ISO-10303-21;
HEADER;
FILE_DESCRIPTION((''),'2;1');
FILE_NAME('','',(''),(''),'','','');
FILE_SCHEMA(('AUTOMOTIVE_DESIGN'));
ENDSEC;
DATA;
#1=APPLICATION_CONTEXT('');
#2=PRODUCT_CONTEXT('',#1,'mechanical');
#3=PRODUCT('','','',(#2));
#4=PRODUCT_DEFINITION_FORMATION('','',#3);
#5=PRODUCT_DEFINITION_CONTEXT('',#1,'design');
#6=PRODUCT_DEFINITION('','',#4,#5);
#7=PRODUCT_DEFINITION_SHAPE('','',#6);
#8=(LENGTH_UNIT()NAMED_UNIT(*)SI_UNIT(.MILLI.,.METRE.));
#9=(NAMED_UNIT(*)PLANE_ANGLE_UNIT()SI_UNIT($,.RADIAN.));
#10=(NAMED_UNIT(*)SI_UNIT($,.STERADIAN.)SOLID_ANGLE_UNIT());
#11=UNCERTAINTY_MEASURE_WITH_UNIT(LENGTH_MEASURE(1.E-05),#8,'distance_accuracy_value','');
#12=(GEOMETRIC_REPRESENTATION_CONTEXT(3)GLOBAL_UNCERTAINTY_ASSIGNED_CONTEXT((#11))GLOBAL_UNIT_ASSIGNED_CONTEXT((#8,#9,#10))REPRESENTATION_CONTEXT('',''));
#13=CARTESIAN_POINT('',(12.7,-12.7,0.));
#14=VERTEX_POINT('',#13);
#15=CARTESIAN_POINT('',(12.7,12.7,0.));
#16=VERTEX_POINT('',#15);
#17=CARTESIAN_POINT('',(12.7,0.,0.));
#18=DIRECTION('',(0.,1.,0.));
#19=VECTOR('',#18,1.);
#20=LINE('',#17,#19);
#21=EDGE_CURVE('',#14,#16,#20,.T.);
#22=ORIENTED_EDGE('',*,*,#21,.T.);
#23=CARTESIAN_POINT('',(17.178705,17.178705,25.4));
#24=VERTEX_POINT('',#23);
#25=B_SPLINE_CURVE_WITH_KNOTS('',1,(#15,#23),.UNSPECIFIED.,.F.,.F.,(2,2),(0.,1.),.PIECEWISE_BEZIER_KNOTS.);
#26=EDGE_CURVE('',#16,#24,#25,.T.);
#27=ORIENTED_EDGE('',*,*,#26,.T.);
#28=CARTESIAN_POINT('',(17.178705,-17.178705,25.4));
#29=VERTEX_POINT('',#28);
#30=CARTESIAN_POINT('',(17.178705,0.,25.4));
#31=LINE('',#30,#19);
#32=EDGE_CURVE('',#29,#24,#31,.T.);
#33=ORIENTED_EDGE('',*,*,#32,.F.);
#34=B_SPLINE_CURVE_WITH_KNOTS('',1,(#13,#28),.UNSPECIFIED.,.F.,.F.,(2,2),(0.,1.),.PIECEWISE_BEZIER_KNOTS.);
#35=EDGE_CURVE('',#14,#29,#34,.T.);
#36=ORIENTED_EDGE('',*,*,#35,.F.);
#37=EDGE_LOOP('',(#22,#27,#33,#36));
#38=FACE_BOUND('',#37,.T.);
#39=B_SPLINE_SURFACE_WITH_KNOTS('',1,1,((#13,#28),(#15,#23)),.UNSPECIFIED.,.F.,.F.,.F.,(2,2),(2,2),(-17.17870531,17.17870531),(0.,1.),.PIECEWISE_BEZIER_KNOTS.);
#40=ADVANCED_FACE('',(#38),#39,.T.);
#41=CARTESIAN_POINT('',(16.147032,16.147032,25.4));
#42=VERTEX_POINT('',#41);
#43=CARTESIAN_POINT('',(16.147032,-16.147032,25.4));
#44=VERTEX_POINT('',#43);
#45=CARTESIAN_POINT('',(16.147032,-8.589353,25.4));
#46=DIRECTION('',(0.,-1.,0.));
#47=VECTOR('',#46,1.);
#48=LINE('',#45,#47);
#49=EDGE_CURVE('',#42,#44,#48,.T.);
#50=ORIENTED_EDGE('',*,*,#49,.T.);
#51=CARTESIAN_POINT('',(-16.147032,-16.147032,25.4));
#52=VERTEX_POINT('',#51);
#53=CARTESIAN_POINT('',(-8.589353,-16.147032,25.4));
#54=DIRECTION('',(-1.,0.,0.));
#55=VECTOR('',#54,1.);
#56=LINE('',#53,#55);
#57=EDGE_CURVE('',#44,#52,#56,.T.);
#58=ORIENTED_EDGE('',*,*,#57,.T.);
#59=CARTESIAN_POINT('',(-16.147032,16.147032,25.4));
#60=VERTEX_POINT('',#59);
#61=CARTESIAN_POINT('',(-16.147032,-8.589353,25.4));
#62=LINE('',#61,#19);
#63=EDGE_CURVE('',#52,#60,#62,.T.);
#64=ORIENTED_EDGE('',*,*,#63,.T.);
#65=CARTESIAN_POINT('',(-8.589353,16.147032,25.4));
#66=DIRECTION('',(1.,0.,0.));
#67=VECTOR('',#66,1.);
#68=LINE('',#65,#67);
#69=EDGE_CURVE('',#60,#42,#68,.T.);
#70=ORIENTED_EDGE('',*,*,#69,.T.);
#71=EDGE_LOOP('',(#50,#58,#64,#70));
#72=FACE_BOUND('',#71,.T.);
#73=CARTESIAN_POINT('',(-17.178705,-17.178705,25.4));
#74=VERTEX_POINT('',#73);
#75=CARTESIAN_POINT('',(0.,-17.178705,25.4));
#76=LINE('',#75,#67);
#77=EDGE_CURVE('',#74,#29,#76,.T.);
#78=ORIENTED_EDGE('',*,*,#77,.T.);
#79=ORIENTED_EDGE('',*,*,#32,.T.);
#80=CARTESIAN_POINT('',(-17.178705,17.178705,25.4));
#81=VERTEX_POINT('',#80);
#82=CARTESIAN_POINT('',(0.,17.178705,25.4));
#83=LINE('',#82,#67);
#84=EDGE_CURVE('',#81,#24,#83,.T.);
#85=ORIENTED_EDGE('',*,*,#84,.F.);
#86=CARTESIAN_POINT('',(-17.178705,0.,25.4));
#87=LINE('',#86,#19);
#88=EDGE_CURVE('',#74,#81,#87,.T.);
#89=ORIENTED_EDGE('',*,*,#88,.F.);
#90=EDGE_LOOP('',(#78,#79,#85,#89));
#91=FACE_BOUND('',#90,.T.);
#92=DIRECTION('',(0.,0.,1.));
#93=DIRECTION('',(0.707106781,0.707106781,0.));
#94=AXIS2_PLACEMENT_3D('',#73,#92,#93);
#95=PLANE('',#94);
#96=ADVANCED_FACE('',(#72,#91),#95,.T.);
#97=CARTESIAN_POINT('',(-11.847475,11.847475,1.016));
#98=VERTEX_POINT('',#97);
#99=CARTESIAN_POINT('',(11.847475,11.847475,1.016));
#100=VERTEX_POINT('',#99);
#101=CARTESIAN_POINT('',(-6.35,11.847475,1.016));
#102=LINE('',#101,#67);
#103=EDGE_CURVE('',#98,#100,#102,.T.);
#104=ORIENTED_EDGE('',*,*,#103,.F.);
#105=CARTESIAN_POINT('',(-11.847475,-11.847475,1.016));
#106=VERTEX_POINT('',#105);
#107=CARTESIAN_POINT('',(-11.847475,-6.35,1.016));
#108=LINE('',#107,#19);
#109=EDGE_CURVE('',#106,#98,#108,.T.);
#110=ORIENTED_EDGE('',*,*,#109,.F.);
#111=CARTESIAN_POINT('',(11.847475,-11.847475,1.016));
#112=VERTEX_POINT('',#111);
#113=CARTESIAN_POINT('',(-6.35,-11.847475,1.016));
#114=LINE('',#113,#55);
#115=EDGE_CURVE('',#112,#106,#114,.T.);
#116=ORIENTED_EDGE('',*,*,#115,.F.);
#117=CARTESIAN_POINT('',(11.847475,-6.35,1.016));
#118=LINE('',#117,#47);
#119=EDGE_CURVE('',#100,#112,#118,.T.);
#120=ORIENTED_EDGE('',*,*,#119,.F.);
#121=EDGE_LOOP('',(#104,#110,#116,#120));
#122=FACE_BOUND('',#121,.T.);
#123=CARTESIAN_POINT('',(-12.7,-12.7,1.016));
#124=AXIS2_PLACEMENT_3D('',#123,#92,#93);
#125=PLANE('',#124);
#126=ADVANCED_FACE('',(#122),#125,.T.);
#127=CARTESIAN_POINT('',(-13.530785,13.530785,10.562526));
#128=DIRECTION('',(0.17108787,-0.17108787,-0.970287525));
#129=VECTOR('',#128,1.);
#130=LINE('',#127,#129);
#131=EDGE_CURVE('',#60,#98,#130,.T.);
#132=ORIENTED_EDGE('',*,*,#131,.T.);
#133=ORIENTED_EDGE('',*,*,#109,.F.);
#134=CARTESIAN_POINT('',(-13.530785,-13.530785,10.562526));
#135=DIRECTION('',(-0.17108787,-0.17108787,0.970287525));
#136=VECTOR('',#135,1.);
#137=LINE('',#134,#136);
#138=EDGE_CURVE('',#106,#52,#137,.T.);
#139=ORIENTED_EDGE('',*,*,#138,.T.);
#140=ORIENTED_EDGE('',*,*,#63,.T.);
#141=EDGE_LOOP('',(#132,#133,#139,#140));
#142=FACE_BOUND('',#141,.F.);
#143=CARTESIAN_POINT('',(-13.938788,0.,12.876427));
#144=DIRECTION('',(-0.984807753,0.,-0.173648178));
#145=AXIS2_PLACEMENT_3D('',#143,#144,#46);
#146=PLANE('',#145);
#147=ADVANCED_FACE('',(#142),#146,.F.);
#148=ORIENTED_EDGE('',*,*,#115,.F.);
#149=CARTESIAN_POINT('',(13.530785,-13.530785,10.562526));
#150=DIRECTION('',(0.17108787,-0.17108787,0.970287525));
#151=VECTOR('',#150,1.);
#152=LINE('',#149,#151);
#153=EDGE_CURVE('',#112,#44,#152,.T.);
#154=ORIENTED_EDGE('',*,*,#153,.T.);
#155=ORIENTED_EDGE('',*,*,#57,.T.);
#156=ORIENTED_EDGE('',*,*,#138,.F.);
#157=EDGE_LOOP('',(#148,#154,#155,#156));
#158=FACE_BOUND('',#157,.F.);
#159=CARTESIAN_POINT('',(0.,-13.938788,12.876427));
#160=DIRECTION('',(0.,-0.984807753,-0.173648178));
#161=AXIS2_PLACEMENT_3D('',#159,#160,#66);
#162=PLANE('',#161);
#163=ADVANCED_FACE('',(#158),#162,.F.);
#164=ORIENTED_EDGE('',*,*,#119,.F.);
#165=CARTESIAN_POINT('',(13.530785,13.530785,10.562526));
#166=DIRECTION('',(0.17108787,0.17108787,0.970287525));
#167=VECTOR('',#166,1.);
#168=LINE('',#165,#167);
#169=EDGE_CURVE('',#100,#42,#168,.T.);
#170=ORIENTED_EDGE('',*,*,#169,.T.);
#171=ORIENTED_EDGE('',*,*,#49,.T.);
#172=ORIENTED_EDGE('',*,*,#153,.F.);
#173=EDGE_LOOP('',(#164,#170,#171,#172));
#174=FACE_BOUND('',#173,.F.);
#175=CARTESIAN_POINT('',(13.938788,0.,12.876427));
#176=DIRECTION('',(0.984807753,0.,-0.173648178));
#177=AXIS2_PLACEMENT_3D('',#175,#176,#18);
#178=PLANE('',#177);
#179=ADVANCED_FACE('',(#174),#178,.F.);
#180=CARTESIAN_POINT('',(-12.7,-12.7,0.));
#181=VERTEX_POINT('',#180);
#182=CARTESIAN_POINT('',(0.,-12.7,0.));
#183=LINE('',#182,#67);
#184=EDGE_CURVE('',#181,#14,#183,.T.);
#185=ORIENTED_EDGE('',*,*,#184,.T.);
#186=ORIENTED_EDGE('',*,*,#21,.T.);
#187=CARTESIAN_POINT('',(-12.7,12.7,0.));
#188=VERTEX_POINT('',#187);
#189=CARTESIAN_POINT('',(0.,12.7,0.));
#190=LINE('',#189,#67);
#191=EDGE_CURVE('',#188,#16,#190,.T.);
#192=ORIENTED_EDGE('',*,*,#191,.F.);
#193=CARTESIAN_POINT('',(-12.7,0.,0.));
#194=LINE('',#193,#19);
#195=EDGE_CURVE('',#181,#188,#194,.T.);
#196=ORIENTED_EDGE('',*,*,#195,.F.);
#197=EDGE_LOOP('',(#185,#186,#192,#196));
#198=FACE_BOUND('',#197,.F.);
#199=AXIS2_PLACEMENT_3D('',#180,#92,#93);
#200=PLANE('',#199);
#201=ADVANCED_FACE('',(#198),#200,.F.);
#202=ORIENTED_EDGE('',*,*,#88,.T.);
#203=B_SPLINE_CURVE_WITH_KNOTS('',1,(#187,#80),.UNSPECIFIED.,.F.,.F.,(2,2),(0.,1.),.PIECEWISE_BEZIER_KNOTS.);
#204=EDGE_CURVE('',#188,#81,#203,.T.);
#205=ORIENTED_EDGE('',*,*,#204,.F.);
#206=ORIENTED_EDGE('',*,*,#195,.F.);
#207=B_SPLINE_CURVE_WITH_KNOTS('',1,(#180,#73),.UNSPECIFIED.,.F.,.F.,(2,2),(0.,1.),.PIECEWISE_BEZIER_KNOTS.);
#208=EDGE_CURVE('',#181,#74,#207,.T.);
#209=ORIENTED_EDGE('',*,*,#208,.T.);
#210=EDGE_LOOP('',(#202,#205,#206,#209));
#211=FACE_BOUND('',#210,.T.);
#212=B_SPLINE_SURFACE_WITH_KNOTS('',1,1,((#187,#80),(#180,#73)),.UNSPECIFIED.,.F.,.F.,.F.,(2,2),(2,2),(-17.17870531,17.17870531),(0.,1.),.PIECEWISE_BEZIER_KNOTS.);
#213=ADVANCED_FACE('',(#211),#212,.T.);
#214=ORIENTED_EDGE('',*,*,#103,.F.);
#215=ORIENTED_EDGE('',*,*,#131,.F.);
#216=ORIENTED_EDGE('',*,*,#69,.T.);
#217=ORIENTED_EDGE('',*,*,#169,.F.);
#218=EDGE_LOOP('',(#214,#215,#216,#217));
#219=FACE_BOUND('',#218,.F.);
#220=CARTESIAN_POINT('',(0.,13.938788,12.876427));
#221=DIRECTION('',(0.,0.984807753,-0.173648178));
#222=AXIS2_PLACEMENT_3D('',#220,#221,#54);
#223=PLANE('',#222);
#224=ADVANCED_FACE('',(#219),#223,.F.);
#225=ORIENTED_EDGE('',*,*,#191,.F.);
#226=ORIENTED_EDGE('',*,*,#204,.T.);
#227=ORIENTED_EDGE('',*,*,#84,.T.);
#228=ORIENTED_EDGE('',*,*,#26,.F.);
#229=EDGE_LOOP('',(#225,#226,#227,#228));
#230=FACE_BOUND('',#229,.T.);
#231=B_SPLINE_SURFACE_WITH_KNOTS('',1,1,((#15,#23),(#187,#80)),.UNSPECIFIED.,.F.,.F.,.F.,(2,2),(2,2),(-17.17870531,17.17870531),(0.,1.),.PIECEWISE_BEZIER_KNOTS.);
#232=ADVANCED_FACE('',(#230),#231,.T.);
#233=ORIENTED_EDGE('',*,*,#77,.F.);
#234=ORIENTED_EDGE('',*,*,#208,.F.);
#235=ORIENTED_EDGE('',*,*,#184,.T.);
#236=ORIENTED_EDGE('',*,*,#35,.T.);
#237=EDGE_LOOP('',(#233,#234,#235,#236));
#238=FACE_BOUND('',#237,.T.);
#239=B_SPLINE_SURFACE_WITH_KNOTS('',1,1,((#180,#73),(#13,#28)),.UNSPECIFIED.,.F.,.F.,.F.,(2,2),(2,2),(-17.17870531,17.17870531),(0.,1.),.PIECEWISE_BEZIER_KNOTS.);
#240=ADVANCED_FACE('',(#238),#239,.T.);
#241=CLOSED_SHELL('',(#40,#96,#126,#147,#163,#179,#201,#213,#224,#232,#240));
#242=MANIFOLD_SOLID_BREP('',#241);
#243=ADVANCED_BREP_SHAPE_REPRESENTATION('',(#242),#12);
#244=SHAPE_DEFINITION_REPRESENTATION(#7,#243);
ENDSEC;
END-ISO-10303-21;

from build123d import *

# Parameters (mm, degrees)
F0_W     = 25.4
F0_H     = 25.4
F1_DEPTH = 25.4
F1_TAPER = -10
F2_T     = -1.016


with BuildPart() as f1:
    # F0 (on Top) → F1 (new body)
    with BuildSketch(Plane.XY):
        Rectangle(F0_W, F0_H)
    extrude(amount=F1_DEPTH, taper=F1_TAPER)

    # F2
    f2_openings = [f1.faces().sort_by_distance(p)[0] for p in [
        (0, 0, 25.4),
    ]]
    offset(amount=F2_T, openings=f2_openings)


solid = f1.part
